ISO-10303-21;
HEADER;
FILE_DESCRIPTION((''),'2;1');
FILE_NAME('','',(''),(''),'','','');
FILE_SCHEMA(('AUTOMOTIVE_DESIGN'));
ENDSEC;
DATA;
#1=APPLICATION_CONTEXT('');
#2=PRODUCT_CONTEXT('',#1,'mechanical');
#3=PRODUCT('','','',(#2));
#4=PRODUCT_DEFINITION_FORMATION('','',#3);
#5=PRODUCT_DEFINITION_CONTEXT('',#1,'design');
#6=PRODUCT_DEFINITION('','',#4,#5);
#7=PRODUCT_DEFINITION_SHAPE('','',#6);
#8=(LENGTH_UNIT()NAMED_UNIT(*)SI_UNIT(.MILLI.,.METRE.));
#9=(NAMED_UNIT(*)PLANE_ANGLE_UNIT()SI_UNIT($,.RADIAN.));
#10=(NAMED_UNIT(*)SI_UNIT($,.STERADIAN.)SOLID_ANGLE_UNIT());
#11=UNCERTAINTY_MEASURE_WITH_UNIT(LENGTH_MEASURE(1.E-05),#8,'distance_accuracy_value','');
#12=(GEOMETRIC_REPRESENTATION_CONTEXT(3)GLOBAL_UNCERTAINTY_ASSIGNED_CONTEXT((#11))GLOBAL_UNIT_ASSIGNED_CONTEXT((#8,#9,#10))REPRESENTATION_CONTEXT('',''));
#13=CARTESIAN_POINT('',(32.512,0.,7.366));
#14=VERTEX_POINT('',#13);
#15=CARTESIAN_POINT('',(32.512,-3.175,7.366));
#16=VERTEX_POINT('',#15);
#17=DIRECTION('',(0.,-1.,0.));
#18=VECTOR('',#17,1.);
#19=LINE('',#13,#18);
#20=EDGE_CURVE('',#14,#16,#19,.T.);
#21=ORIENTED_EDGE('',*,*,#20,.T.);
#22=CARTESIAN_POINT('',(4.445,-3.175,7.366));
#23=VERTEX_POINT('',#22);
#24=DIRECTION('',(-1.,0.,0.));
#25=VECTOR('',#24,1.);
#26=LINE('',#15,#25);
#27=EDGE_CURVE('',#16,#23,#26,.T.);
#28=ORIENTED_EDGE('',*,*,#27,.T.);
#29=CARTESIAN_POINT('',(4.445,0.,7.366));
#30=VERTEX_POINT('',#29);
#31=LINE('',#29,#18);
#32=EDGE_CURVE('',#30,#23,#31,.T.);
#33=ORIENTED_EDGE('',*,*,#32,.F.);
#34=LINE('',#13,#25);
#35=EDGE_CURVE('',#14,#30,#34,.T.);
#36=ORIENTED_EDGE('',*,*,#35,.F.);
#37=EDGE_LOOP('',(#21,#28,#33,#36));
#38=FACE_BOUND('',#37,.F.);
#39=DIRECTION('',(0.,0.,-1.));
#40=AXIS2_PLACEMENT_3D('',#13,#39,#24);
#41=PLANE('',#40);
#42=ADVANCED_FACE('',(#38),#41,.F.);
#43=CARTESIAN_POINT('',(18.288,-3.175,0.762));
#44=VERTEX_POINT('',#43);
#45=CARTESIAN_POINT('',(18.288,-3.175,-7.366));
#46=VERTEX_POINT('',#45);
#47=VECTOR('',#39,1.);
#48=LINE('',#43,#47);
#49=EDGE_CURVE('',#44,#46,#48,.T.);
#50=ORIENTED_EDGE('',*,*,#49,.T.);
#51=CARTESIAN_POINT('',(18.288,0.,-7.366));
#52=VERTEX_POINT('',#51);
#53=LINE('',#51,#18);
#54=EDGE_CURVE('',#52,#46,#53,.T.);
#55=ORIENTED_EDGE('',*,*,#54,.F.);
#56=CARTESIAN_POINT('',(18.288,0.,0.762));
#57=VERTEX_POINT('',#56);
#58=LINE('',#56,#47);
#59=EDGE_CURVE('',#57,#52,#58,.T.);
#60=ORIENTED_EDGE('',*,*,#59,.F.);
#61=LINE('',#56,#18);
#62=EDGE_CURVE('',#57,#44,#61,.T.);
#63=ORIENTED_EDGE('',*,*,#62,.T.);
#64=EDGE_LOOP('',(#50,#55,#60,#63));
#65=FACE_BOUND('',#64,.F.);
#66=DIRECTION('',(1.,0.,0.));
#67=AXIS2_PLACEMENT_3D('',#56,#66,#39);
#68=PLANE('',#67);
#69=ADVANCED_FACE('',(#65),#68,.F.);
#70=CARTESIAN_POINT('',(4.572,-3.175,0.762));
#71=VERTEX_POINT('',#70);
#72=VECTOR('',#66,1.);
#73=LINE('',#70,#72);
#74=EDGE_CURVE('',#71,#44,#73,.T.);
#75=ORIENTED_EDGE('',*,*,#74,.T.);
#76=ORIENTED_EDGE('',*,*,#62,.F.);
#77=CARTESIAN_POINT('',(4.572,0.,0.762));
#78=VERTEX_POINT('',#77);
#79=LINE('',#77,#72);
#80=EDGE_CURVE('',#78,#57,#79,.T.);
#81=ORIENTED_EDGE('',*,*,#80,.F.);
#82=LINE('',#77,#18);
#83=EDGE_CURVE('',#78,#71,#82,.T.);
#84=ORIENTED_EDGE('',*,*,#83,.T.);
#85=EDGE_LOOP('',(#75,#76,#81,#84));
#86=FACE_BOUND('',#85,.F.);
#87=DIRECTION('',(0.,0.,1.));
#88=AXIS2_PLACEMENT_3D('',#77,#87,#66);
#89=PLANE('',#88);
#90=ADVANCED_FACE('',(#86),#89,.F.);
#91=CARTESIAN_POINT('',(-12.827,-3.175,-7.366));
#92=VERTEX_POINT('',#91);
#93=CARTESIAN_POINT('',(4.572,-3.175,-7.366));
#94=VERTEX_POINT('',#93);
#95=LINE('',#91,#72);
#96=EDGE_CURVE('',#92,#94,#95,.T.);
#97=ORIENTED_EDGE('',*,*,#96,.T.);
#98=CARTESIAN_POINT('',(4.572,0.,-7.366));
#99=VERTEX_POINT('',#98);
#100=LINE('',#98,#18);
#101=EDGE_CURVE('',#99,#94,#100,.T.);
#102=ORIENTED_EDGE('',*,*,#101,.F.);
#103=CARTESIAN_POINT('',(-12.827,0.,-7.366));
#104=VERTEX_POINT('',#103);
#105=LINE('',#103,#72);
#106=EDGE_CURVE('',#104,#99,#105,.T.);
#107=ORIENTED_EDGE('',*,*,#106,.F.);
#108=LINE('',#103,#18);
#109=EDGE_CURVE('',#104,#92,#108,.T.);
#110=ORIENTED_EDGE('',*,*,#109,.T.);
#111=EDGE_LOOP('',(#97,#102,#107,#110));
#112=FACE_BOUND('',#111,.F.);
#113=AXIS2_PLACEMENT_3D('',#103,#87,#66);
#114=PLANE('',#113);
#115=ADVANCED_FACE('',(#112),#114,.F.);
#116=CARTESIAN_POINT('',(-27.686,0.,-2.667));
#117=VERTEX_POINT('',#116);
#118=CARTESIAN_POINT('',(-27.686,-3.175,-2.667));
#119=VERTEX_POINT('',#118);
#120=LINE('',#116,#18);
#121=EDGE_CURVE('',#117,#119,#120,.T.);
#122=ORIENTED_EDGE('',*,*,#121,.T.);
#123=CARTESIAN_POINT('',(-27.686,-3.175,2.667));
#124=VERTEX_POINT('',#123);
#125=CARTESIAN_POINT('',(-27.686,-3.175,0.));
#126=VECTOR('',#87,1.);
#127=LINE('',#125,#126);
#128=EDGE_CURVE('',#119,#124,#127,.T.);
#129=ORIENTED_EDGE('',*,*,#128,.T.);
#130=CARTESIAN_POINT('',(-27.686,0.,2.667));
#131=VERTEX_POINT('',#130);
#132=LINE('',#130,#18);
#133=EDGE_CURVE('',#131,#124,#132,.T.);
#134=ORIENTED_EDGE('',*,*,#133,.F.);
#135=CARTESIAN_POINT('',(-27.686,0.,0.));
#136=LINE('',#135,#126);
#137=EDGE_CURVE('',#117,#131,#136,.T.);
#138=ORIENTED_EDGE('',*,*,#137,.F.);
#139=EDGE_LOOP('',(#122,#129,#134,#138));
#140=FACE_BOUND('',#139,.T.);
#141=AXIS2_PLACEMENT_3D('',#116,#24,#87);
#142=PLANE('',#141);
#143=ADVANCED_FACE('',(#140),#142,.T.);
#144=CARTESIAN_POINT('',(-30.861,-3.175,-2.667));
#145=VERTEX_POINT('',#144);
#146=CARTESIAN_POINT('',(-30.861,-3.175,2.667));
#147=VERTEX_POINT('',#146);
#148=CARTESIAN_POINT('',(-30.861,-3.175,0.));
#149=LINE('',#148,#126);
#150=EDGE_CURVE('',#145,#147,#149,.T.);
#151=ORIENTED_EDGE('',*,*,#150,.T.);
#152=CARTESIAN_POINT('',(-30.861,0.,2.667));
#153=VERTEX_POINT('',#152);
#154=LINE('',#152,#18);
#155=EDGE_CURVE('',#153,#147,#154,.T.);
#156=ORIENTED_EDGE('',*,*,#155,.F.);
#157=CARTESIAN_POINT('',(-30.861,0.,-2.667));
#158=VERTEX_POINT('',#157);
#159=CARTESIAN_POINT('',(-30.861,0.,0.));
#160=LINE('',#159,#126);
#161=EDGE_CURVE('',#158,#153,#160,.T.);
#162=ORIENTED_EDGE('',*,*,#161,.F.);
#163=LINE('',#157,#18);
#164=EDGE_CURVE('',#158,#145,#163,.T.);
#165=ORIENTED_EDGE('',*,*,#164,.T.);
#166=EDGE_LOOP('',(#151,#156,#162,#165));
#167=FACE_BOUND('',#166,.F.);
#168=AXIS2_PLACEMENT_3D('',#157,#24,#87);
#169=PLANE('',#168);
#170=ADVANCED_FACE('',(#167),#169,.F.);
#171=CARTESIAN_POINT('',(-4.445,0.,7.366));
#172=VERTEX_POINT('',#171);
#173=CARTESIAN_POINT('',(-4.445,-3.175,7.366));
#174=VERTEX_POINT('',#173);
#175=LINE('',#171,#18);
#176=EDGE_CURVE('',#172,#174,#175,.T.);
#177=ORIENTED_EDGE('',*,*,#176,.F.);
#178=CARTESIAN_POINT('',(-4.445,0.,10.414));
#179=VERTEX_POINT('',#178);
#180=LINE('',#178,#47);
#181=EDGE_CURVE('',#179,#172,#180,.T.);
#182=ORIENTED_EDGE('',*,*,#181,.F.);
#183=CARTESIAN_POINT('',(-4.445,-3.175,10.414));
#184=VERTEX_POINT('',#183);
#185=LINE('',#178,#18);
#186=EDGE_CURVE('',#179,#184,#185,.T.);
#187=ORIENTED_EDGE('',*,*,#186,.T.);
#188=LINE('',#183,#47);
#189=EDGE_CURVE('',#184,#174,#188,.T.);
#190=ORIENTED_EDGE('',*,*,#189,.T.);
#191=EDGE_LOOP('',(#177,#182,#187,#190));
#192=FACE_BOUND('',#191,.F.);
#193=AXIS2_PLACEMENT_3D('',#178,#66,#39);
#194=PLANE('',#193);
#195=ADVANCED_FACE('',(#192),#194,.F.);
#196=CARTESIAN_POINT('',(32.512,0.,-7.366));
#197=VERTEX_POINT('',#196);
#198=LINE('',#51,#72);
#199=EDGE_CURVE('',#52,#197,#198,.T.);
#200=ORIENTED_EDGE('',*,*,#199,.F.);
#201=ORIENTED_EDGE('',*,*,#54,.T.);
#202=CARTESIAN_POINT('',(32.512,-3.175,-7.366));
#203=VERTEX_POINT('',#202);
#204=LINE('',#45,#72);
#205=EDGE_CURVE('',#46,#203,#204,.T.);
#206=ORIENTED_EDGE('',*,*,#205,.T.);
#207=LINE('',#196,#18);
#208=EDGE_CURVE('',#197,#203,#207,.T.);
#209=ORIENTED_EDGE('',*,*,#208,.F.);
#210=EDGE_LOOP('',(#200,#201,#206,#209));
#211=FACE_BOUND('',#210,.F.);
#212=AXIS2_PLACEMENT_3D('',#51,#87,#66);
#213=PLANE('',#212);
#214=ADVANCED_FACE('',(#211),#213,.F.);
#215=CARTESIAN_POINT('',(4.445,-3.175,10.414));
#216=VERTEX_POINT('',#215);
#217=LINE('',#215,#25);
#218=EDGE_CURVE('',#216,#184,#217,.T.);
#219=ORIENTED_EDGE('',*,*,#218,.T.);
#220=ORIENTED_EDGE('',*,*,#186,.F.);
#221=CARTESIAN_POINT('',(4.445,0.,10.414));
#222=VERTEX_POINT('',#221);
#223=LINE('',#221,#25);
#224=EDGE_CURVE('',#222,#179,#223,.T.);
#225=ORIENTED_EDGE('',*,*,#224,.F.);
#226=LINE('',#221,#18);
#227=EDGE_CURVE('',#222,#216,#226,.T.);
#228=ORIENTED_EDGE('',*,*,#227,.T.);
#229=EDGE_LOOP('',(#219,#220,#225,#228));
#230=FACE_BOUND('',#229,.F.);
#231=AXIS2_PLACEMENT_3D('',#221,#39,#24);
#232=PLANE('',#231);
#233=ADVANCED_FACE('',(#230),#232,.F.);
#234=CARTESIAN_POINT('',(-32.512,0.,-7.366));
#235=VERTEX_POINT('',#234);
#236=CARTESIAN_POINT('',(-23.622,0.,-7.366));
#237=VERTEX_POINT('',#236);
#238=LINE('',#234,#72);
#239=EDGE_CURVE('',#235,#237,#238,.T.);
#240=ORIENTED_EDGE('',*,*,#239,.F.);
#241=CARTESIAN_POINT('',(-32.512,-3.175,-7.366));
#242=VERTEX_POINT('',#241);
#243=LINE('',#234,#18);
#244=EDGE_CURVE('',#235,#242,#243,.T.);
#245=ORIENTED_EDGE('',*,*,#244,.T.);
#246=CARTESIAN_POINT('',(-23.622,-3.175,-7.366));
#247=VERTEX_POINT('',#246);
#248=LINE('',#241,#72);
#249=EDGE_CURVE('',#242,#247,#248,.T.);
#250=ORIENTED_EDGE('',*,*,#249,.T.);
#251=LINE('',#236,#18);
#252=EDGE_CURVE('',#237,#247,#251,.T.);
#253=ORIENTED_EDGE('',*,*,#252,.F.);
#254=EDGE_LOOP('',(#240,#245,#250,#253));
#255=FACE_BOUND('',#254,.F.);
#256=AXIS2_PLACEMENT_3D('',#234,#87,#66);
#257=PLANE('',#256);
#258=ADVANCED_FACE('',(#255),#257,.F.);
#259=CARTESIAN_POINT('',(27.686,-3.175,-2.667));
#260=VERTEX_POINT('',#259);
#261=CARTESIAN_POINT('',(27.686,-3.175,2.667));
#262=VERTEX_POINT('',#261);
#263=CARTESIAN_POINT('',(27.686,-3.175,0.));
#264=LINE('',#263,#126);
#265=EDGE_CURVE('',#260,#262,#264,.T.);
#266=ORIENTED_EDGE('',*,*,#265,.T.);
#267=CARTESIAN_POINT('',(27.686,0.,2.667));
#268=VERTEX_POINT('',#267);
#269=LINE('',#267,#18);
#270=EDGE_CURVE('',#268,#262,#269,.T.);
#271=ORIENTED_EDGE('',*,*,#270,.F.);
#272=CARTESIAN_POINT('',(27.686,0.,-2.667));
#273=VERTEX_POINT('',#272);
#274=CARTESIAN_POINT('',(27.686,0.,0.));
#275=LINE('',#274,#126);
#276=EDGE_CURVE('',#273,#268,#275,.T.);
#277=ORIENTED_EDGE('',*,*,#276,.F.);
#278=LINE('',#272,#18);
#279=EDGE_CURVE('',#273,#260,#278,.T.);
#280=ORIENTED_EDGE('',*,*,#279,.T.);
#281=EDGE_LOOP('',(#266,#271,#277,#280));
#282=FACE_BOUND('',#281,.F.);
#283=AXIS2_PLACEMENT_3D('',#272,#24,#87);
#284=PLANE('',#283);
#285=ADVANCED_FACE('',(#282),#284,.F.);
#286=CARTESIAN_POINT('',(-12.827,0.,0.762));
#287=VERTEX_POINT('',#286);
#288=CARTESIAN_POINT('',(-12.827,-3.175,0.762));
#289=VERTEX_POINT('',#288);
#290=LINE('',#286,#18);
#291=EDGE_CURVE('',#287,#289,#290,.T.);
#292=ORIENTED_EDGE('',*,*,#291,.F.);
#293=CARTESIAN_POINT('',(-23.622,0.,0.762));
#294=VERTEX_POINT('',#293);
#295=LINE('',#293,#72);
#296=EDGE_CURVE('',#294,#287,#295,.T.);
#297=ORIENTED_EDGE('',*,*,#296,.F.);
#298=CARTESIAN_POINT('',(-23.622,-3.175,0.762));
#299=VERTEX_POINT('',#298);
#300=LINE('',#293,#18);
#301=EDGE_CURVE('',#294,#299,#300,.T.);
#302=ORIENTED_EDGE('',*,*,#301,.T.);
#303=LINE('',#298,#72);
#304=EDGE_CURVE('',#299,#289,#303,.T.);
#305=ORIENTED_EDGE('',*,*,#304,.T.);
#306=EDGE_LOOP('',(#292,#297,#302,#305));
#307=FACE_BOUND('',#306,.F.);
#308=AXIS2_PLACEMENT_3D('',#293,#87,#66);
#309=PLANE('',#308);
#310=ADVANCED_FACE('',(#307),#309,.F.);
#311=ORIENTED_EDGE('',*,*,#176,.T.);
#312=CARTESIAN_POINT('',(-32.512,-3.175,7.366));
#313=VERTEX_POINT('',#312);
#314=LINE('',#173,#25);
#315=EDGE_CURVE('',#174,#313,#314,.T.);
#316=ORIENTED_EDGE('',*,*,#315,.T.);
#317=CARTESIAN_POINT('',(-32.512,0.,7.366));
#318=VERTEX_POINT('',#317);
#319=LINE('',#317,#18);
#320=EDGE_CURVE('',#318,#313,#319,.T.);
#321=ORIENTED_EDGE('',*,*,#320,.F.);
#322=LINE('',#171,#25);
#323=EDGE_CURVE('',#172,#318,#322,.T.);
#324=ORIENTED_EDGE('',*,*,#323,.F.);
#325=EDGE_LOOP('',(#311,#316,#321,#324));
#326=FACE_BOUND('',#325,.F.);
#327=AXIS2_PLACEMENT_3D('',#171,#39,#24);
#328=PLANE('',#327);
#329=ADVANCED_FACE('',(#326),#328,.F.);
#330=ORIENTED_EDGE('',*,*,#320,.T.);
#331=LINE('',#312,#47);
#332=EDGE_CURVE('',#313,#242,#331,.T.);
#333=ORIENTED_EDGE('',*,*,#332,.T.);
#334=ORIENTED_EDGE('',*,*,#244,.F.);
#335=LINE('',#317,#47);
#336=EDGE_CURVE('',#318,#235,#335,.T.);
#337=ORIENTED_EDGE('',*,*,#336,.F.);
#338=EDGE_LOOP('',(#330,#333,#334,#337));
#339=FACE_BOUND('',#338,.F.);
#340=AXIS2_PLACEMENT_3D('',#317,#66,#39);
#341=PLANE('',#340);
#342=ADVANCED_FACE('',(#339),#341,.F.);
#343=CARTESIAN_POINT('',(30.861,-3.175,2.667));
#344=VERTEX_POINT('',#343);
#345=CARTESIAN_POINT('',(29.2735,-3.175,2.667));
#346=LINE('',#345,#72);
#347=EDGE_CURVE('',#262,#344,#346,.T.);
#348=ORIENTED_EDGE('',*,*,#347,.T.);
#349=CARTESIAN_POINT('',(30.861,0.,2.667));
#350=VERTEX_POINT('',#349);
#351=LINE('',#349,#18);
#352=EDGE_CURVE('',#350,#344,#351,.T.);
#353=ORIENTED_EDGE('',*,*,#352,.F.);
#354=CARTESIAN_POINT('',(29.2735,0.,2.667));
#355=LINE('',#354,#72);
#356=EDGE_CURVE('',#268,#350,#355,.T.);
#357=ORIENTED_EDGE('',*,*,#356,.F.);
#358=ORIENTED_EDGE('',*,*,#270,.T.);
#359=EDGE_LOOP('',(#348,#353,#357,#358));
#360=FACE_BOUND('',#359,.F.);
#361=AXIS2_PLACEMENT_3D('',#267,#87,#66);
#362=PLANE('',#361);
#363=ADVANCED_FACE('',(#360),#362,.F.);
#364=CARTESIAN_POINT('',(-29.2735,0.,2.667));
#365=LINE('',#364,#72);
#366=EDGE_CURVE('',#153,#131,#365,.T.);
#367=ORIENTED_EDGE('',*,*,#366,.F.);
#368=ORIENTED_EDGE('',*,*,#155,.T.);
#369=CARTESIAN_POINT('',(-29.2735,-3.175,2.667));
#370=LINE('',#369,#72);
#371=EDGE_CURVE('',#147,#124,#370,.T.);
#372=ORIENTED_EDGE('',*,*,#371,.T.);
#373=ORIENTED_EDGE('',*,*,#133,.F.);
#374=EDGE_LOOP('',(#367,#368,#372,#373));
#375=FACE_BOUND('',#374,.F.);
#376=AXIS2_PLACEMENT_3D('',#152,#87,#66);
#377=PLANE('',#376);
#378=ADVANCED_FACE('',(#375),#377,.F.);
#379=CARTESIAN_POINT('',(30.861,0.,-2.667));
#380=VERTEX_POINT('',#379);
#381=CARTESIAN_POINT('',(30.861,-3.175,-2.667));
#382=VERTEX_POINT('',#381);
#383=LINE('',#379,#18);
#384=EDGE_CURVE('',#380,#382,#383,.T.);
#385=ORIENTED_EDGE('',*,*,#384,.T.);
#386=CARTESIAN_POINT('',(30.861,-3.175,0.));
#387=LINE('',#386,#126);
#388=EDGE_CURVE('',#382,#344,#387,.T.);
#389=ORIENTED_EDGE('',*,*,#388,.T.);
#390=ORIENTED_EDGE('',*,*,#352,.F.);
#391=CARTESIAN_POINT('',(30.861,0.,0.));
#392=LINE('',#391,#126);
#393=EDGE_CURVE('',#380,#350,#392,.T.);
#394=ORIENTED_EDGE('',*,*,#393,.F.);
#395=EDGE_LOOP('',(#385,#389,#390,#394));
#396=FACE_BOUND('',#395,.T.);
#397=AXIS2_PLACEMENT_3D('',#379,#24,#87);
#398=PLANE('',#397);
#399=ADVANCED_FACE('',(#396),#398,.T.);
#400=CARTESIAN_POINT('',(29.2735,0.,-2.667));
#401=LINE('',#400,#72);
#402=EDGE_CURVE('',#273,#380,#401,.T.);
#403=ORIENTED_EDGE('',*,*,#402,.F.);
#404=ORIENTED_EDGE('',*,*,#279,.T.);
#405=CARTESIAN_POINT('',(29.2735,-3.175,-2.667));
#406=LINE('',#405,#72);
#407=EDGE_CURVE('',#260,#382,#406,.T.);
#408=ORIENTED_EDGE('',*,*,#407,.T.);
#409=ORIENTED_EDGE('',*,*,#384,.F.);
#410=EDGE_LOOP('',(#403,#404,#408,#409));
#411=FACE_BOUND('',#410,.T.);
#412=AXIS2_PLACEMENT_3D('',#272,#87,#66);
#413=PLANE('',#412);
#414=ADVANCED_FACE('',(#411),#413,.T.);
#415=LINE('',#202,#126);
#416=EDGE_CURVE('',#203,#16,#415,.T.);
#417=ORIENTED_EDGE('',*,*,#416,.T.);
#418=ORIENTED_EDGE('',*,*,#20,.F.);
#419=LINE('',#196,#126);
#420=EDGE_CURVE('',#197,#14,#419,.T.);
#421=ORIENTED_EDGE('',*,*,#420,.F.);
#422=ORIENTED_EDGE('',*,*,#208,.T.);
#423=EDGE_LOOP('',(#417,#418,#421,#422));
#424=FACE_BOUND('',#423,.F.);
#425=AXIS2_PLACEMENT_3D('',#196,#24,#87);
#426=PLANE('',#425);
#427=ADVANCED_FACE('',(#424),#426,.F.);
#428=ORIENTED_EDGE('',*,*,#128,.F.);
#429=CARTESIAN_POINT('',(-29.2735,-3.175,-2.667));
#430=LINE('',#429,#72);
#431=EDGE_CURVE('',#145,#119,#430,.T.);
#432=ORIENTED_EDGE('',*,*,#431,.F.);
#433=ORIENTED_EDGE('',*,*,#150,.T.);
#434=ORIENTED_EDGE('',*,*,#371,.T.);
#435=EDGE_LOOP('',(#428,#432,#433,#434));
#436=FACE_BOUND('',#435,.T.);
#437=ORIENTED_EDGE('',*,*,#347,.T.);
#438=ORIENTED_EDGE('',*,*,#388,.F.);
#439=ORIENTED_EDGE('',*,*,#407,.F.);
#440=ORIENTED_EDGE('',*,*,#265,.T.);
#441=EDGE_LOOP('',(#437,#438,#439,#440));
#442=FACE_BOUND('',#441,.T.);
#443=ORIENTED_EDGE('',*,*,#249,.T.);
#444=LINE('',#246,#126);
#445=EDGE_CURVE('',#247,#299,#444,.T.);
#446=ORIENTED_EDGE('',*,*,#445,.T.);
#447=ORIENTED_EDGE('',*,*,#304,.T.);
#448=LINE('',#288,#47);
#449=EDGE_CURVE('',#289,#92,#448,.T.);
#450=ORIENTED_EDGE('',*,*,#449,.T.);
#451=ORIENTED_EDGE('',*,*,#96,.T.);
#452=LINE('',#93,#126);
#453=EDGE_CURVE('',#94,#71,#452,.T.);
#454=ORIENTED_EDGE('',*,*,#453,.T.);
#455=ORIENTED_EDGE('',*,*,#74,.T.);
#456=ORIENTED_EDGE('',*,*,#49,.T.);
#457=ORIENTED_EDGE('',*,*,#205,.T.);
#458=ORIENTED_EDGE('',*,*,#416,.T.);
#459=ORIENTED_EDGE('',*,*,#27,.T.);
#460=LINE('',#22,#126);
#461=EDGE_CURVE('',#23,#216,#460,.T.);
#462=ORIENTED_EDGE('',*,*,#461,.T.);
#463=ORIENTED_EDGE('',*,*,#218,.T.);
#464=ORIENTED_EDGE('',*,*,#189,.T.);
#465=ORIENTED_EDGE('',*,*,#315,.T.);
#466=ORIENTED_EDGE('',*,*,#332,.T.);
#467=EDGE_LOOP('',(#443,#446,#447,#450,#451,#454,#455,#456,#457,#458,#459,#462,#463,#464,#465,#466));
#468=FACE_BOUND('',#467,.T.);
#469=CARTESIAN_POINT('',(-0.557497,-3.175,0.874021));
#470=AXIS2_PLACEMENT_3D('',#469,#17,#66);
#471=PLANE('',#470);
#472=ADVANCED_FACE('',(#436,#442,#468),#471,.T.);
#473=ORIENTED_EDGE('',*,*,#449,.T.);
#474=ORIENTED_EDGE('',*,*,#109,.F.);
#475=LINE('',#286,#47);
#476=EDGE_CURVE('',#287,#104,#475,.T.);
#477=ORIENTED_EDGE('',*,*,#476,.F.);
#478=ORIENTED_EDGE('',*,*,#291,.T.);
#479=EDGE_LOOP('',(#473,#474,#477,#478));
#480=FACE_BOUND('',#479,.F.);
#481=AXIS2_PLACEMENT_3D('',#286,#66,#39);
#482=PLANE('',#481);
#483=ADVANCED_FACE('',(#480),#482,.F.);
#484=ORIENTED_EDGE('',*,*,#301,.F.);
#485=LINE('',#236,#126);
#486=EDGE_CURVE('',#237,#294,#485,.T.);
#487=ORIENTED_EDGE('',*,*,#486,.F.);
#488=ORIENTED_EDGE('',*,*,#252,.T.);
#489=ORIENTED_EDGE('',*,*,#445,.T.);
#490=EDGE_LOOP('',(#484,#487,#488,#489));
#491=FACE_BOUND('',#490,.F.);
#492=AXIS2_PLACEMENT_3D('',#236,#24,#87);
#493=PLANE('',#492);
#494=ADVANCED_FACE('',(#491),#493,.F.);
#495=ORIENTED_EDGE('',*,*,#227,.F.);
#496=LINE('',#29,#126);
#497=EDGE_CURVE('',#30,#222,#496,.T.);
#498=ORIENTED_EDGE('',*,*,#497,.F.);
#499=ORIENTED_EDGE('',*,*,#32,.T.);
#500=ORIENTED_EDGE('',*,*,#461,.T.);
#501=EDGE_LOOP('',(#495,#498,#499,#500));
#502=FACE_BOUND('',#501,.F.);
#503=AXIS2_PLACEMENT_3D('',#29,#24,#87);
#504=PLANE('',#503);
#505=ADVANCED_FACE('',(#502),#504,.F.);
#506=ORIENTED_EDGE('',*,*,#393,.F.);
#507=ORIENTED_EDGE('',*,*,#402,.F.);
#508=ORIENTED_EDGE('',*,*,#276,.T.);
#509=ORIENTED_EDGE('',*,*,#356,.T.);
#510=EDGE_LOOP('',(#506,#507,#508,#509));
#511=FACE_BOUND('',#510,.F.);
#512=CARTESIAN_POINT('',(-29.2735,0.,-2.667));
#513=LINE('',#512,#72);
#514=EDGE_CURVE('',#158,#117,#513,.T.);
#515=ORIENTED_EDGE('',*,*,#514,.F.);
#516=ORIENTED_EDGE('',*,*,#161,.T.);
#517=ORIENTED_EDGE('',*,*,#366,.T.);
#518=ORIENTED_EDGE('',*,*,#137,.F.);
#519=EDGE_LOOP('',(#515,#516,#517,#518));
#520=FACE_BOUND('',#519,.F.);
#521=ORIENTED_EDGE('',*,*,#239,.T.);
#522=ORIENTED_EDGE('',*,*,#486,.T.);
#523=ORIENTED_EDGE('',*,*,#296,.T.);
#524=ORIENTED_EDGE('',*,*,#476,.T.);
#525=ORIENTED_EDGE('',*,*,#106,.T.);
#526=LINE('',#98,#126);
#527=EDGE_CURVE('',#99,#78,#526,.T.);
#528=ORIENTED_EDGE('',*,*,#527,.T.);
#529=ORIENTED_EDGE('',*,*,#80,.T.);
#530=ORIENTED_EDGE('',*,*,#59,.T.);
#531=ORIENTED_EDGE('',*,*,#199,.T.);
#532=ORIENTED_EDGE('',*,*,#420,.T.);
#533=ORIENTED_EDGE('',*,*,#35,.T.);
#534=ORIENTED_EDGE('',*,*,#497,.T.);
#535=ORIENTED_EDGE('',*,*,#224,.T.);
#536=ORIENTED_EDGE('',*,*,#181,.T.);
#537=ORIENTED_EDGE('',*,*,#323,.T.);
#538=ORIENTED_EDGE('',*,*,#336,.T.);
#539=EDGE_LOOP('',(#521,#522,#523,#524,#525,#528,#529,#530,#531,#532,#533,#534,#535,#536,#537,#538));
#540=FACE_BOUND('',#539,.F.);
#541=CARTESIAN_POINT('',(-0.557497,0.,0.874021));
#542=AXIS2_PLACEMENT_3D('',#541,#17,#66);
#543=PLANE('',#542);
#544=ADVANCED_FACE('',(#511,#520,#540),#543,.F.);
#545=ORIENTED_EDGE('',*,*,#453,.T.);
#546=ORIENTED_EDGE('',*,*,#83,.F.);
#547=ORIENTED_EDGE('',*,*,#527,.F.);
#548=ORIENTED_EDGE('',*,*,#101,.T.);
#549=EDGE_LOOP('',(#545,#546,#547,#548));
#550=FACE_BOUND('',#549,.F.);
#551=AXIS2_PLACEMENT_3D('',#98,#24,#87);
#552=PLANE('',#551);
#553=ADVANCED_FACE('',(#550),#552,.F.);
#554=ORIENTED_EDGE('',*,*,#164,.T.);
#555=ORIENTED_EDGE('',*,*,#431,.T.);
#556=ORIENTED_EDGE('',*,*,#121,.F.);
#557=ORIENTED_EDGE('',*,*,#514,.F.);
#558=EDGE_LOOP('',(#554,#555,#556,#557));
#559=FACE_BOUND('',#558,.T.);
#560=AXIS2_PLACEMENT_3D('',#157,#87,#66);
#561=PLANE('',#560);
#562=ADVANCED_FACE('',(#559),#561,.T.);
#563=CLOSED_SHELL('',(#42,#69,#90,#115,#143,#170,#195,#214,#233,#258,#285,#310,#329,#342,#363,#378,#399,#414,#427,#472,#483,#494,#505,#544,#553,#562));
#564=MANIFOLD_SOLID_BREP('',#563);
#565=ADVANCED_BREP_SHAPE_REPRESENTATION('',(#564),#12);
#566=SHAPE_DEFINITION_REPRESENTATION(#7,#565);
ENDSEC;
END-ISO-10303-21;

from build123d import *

# Parameters (mm, degrees)
F0_W     = 3.175
F0_H     = 5.334
F1_DEPTH = 3.175


with BuildPart() as f1:
    # F0 (on Front) → F1 (new body)
    with BuildSketch(Plane.XZ):
        Polygon((-32.512, 7.366), (-32.512, -7.366), (-23.622, -7.366), (-23.622, 0.762), (-12.827, 0.762), (-12.827, -7.366), (4.572, -7.366), (4.572, 0.762), (18.288, 0.762), (18.288, -7.366), (32.512, -7.366), (32.512, 7.366), (4.445, 7.366), (4.445, 10.414), (-4.445, 10.414), (-4.445, 7.366), align=None)
        with Locations((-29.2735, 0)):
            Rectangle(F0_W, F0_H, mode=Mode.SUBTRACT)
        with Locations((29.2735, 0)):
            Rectangle(F0_W, F0_H, mode=Mode.SUBTRACT)
    extrude(amount=F1_DEPTH)


solid = f1.part
